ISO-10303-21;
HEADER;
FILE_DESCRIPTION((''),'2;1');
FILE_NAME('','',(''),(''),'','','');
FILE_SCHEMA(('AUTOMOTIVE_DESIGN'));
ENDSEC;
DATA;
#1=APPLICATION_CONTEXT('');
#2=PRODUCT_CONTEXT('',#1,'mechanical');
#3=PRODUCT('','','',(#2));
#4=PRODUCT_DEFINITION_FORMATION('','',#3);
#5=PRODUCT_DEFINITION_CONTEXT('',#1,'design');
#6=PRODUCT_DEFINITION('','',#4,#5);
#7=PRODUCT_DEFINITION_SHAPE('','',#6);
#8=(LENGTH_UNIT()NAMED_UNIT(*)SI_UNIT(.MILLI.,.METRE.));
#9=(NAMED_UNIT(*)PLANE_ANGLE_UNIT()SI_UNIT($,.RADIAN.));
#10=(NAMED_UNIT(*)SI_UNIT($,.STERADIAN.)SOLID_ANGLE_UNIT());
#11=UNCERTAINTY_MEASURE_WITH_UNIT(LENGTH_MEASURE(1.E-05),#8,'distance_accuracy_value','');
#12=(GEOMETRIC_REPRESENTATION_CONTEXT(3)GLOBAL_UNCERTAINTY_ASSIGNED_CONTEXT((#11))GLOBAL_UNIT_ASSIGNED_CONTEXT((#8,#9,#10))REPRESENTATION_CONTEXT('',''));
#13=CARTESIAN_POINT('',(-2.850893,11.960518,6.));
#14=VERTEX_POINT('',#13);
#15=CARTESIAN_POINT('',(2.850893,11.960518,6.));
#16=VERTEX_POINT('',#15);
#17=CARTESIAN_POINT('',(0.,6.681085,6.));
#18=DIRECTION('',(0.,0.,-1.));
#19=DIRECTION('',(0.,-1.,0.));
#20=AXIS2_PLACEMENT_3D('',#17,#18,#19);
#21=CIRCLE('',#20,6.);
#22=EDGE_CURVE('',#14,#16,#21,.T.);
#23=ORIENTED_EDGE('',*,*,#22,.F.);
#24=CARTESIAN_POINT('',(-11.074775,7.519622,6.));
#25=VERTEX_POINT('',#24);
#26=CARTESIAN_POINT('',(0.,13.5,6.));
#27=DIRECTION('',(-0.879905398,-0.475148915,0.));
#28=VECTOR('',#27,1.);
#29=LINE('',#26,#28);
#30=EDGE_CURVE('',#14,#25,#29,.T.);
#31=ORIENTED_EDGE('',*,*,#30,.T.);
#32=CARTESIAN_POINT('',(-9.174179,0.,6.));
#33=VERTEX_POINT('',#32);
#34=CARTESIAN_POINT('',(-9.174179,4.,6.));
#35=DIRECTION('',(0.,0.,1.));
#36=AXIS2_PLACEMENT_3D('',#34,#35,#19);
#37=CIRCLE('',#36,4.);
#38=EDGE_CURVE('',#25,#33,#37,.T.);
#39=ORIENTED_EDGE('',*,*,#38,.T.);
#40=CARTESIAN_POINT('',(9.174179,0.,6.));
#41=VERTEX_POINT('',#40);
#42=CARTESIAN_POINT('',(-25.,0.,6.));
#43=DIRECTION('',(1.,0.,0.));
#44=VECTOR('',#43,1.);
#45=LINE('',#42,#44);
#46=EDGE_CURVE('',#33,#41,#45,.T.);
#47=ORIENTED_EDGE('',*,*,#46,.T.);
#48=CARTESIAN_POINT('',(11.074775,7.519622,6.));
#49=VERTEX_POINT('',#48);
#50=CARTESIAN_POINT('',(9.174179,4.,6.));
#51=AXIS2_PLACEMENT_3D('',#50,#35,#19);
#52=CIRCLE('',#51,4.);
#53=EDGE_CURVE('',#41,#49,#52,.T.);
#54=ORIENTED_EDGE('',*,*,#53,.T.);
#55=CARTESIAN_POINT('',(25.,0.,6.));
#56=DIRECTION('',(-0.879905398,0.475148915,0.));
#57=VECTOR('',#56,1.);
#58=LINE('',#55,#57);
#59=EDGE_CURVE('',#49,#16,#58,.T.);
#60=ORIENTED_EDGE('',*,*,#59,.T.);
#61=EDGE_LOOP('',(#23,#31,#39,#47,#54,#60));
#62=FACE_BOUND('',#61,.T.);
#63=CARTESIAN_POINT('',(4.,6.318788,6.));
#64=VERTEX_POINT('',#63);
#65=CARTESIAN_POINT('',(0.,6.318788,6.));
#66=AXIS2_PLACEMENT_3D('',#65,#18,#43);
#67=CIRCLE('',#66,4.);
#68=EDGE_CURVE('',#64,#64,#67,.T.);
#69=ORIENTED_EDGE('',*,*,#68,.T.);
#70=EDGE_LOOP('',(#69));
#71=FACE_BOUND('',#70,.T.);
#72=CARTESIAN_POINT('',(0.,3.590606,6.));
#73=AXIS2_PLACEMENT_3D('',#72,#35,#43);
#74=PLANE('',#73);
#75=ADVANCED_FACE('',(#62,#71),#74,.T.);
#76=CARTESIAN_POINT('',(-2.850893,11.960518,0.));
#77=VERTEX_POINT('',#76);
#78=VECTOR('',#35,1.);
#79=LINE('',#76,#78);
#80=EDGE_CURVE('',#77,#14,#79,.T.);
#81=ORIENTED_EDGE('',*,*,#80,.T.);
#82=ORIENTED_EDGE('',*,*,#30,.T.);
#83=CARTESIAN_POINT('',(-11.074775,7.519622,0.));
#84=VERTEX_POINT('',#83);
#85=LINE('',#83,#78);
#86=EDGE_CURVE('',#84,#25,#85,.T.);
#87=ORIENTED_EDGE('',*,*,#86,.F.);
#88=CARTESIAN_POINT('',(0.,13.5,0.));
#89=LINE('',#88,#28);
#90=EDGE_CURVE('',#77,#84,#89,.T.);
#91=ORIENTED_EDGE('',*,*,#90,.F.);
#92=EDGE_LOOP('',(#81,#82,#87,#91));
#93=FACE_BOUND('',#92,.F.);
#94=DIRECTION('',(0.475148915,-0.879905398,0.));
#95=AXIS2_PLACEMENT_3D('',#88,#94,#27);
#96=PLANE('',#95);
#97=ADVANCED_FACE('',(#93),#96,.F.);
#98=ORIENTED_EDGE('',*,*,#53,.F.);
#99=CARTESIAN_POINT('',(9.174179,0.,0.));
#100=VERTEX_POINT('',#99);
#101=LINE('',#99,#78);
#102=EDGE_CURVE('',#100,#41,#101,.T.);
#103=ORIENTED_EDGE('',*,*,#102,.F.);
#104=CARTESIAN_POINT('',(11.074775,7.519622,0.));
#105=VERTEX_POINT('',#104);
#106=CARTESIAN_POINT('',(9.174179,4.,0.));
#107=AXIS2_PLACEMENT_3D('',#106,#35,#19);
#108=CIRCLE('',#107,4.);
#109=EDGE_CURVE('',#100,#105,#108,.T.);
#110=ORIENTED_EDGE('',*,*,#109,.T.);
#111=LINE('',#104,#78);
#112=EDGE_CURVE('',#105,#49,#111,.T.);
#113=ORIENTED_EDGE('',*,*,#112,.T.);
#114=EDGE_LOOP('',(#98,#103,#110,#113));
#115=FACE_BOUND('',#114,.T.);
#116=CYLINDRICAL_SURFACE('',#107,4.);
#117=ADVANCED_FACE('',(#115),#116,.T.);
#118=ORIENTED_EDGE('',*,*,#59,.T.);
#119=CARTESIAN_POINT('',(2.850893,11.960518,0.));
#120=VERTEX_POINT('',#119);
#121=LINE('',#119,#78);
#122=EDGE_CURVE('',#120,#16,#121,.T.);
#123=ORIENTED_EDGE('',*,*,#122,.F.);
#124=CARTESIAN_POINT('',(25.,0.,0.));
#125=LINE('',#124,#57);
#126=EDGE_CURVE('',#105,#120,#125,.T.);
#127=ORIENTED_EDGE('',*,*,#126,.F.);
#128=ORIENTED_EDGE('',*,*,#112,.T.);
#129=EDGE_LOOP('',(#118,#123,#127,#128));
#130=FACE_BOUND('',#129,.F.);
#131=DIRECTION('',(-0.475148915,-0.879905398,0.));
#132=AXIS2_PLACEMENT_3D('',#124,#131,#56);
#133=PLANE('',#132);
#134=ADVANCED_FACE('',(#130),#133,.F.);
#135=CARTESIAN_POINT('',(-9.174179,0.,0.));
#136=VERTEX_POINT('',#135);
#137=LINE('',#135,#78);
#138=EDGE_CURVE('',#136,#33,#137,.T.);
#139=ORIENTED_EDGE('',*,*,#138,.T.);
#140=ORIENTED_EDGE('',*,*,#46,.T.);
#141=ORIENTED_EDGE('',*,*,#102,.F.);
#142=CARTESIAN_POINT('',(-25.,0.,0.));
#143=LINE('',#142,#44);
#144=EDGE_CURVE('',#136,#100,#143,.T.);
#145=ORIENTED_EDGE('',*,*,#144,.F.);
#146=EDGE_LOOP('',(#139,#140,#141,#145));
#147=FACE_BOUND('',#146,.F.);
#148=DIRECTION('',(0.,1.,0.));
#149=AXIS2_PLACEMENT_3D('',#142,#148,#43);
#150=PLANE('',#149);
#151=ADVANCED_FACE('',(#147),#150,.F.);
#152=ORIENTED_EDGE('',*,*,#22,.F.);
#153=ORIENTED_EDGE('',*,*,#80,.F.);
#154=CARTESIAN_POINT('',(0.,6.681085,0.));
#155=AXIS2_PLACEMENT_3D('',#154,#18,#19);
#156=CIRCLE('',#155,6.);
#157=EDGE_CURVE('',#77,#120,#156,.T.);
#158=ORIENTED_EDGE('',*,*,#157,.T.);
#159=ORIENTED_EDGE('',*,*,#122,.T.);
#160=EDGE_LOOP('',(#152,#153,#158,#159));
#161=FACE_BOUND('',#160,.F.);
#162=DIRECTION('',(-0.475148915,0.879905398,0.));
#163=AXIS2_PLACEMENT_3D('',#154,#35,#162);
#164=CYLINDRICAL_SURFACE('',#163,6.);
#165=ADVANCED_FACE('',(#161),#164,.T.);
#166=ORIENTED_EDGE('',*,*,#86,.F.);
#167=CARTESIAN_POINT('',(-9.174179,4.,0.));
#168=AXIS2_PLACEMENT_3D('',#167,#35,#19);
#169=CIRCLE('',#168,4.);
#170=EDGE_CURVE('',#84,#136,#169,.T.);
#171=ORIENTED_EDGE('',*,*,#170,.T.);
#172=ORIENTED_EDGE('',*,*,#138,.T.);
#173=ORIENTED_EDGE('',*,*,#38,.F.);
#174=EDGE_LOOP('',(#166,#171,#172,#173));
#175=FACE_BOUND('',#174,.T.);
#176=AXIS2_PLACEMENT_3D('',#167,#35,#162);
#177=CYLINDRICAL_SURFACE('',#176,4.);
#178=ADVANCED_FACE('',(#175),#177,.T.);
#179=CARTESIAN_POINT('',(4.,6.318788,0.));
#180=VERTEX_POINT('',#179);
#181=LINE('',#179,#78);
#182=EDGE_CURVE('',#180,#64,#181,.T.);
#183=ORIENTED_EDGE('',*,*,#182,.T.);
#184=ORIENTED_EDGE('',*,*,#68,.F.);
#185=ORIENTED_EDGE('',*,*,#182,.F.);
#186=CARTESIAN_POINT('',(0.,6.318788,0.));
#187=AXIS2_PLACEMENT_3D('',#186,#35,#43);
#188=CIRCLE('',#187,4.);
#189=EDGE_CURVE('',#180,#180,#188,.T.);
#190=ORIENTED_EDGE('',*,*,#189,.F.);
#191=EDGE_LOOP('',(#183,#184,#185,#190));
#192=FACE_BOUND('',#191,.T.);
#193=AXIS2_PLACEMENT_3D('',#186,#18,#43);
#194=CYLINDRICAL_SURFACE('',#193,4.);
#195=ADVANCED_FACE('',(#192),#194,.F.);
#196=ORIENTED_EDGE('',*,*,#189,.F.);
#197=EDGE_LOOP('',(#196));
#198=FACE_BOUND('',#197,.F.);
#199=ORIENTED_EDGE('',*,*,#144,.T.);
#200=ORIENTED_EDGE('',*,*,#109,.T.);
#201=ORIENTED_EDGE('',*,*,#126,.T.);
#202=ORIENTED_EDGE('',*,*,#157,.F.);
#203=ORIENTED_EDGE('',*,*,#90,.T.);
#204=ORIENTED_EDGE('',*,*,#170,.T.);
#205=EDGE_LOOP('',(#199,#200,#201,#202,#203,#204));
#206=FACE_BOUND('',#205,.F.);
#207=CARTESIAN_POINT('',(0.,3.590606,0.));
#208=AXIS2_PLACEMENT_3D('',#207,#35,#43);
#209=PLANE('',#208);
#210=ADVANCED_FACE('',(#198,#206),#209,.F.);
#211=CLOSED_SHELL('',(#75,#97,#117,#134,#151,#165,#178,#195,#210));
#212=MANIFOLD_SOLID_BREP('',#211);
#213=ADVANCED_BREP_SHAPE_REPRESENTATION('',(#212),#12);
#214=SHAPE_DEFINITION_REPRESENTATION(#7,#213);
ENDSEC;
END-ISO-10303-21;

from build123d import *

# Parameters (mm, degrees)
F1_DEPTH = 6
F2_R     = 4
F3_R     = 6
F4_R     = 4
F5_DEPTH = 6.001


with BuildPart() as f1:
    # F0 (on Top) → F1 (new body)
    with BuildSketch(Plane.XY):
        Polygon((0, 13.5), (-25, 0), (25, 0), align=None)
    extrude(amount=F1_DEPTH)

    # F2
    f2_edges = [f1.edges().sort_by_distance(p)[0] for p in [
        (25, 0, 3),
        (-25, 0, 3),
    ]]
    fillet(f2_edges, radius=F2_R)

    # F3
    f3_edges = [f1.edges().sort_by_distance(p)[0] for p in [
        (0, 13.5, 3),
    ]]
    fillet(f3_edges, radius=F3_R)

    # F4 (on Top) → F5 (cut, through all)
    with BuildSketch(Plane.XY):
        with Locations((0, 6.318788)):
            Circle(F4_R)
    extrude(amount=F5_DEPTH, mode=Mode.SUBTRACT)


solid = f1.part
